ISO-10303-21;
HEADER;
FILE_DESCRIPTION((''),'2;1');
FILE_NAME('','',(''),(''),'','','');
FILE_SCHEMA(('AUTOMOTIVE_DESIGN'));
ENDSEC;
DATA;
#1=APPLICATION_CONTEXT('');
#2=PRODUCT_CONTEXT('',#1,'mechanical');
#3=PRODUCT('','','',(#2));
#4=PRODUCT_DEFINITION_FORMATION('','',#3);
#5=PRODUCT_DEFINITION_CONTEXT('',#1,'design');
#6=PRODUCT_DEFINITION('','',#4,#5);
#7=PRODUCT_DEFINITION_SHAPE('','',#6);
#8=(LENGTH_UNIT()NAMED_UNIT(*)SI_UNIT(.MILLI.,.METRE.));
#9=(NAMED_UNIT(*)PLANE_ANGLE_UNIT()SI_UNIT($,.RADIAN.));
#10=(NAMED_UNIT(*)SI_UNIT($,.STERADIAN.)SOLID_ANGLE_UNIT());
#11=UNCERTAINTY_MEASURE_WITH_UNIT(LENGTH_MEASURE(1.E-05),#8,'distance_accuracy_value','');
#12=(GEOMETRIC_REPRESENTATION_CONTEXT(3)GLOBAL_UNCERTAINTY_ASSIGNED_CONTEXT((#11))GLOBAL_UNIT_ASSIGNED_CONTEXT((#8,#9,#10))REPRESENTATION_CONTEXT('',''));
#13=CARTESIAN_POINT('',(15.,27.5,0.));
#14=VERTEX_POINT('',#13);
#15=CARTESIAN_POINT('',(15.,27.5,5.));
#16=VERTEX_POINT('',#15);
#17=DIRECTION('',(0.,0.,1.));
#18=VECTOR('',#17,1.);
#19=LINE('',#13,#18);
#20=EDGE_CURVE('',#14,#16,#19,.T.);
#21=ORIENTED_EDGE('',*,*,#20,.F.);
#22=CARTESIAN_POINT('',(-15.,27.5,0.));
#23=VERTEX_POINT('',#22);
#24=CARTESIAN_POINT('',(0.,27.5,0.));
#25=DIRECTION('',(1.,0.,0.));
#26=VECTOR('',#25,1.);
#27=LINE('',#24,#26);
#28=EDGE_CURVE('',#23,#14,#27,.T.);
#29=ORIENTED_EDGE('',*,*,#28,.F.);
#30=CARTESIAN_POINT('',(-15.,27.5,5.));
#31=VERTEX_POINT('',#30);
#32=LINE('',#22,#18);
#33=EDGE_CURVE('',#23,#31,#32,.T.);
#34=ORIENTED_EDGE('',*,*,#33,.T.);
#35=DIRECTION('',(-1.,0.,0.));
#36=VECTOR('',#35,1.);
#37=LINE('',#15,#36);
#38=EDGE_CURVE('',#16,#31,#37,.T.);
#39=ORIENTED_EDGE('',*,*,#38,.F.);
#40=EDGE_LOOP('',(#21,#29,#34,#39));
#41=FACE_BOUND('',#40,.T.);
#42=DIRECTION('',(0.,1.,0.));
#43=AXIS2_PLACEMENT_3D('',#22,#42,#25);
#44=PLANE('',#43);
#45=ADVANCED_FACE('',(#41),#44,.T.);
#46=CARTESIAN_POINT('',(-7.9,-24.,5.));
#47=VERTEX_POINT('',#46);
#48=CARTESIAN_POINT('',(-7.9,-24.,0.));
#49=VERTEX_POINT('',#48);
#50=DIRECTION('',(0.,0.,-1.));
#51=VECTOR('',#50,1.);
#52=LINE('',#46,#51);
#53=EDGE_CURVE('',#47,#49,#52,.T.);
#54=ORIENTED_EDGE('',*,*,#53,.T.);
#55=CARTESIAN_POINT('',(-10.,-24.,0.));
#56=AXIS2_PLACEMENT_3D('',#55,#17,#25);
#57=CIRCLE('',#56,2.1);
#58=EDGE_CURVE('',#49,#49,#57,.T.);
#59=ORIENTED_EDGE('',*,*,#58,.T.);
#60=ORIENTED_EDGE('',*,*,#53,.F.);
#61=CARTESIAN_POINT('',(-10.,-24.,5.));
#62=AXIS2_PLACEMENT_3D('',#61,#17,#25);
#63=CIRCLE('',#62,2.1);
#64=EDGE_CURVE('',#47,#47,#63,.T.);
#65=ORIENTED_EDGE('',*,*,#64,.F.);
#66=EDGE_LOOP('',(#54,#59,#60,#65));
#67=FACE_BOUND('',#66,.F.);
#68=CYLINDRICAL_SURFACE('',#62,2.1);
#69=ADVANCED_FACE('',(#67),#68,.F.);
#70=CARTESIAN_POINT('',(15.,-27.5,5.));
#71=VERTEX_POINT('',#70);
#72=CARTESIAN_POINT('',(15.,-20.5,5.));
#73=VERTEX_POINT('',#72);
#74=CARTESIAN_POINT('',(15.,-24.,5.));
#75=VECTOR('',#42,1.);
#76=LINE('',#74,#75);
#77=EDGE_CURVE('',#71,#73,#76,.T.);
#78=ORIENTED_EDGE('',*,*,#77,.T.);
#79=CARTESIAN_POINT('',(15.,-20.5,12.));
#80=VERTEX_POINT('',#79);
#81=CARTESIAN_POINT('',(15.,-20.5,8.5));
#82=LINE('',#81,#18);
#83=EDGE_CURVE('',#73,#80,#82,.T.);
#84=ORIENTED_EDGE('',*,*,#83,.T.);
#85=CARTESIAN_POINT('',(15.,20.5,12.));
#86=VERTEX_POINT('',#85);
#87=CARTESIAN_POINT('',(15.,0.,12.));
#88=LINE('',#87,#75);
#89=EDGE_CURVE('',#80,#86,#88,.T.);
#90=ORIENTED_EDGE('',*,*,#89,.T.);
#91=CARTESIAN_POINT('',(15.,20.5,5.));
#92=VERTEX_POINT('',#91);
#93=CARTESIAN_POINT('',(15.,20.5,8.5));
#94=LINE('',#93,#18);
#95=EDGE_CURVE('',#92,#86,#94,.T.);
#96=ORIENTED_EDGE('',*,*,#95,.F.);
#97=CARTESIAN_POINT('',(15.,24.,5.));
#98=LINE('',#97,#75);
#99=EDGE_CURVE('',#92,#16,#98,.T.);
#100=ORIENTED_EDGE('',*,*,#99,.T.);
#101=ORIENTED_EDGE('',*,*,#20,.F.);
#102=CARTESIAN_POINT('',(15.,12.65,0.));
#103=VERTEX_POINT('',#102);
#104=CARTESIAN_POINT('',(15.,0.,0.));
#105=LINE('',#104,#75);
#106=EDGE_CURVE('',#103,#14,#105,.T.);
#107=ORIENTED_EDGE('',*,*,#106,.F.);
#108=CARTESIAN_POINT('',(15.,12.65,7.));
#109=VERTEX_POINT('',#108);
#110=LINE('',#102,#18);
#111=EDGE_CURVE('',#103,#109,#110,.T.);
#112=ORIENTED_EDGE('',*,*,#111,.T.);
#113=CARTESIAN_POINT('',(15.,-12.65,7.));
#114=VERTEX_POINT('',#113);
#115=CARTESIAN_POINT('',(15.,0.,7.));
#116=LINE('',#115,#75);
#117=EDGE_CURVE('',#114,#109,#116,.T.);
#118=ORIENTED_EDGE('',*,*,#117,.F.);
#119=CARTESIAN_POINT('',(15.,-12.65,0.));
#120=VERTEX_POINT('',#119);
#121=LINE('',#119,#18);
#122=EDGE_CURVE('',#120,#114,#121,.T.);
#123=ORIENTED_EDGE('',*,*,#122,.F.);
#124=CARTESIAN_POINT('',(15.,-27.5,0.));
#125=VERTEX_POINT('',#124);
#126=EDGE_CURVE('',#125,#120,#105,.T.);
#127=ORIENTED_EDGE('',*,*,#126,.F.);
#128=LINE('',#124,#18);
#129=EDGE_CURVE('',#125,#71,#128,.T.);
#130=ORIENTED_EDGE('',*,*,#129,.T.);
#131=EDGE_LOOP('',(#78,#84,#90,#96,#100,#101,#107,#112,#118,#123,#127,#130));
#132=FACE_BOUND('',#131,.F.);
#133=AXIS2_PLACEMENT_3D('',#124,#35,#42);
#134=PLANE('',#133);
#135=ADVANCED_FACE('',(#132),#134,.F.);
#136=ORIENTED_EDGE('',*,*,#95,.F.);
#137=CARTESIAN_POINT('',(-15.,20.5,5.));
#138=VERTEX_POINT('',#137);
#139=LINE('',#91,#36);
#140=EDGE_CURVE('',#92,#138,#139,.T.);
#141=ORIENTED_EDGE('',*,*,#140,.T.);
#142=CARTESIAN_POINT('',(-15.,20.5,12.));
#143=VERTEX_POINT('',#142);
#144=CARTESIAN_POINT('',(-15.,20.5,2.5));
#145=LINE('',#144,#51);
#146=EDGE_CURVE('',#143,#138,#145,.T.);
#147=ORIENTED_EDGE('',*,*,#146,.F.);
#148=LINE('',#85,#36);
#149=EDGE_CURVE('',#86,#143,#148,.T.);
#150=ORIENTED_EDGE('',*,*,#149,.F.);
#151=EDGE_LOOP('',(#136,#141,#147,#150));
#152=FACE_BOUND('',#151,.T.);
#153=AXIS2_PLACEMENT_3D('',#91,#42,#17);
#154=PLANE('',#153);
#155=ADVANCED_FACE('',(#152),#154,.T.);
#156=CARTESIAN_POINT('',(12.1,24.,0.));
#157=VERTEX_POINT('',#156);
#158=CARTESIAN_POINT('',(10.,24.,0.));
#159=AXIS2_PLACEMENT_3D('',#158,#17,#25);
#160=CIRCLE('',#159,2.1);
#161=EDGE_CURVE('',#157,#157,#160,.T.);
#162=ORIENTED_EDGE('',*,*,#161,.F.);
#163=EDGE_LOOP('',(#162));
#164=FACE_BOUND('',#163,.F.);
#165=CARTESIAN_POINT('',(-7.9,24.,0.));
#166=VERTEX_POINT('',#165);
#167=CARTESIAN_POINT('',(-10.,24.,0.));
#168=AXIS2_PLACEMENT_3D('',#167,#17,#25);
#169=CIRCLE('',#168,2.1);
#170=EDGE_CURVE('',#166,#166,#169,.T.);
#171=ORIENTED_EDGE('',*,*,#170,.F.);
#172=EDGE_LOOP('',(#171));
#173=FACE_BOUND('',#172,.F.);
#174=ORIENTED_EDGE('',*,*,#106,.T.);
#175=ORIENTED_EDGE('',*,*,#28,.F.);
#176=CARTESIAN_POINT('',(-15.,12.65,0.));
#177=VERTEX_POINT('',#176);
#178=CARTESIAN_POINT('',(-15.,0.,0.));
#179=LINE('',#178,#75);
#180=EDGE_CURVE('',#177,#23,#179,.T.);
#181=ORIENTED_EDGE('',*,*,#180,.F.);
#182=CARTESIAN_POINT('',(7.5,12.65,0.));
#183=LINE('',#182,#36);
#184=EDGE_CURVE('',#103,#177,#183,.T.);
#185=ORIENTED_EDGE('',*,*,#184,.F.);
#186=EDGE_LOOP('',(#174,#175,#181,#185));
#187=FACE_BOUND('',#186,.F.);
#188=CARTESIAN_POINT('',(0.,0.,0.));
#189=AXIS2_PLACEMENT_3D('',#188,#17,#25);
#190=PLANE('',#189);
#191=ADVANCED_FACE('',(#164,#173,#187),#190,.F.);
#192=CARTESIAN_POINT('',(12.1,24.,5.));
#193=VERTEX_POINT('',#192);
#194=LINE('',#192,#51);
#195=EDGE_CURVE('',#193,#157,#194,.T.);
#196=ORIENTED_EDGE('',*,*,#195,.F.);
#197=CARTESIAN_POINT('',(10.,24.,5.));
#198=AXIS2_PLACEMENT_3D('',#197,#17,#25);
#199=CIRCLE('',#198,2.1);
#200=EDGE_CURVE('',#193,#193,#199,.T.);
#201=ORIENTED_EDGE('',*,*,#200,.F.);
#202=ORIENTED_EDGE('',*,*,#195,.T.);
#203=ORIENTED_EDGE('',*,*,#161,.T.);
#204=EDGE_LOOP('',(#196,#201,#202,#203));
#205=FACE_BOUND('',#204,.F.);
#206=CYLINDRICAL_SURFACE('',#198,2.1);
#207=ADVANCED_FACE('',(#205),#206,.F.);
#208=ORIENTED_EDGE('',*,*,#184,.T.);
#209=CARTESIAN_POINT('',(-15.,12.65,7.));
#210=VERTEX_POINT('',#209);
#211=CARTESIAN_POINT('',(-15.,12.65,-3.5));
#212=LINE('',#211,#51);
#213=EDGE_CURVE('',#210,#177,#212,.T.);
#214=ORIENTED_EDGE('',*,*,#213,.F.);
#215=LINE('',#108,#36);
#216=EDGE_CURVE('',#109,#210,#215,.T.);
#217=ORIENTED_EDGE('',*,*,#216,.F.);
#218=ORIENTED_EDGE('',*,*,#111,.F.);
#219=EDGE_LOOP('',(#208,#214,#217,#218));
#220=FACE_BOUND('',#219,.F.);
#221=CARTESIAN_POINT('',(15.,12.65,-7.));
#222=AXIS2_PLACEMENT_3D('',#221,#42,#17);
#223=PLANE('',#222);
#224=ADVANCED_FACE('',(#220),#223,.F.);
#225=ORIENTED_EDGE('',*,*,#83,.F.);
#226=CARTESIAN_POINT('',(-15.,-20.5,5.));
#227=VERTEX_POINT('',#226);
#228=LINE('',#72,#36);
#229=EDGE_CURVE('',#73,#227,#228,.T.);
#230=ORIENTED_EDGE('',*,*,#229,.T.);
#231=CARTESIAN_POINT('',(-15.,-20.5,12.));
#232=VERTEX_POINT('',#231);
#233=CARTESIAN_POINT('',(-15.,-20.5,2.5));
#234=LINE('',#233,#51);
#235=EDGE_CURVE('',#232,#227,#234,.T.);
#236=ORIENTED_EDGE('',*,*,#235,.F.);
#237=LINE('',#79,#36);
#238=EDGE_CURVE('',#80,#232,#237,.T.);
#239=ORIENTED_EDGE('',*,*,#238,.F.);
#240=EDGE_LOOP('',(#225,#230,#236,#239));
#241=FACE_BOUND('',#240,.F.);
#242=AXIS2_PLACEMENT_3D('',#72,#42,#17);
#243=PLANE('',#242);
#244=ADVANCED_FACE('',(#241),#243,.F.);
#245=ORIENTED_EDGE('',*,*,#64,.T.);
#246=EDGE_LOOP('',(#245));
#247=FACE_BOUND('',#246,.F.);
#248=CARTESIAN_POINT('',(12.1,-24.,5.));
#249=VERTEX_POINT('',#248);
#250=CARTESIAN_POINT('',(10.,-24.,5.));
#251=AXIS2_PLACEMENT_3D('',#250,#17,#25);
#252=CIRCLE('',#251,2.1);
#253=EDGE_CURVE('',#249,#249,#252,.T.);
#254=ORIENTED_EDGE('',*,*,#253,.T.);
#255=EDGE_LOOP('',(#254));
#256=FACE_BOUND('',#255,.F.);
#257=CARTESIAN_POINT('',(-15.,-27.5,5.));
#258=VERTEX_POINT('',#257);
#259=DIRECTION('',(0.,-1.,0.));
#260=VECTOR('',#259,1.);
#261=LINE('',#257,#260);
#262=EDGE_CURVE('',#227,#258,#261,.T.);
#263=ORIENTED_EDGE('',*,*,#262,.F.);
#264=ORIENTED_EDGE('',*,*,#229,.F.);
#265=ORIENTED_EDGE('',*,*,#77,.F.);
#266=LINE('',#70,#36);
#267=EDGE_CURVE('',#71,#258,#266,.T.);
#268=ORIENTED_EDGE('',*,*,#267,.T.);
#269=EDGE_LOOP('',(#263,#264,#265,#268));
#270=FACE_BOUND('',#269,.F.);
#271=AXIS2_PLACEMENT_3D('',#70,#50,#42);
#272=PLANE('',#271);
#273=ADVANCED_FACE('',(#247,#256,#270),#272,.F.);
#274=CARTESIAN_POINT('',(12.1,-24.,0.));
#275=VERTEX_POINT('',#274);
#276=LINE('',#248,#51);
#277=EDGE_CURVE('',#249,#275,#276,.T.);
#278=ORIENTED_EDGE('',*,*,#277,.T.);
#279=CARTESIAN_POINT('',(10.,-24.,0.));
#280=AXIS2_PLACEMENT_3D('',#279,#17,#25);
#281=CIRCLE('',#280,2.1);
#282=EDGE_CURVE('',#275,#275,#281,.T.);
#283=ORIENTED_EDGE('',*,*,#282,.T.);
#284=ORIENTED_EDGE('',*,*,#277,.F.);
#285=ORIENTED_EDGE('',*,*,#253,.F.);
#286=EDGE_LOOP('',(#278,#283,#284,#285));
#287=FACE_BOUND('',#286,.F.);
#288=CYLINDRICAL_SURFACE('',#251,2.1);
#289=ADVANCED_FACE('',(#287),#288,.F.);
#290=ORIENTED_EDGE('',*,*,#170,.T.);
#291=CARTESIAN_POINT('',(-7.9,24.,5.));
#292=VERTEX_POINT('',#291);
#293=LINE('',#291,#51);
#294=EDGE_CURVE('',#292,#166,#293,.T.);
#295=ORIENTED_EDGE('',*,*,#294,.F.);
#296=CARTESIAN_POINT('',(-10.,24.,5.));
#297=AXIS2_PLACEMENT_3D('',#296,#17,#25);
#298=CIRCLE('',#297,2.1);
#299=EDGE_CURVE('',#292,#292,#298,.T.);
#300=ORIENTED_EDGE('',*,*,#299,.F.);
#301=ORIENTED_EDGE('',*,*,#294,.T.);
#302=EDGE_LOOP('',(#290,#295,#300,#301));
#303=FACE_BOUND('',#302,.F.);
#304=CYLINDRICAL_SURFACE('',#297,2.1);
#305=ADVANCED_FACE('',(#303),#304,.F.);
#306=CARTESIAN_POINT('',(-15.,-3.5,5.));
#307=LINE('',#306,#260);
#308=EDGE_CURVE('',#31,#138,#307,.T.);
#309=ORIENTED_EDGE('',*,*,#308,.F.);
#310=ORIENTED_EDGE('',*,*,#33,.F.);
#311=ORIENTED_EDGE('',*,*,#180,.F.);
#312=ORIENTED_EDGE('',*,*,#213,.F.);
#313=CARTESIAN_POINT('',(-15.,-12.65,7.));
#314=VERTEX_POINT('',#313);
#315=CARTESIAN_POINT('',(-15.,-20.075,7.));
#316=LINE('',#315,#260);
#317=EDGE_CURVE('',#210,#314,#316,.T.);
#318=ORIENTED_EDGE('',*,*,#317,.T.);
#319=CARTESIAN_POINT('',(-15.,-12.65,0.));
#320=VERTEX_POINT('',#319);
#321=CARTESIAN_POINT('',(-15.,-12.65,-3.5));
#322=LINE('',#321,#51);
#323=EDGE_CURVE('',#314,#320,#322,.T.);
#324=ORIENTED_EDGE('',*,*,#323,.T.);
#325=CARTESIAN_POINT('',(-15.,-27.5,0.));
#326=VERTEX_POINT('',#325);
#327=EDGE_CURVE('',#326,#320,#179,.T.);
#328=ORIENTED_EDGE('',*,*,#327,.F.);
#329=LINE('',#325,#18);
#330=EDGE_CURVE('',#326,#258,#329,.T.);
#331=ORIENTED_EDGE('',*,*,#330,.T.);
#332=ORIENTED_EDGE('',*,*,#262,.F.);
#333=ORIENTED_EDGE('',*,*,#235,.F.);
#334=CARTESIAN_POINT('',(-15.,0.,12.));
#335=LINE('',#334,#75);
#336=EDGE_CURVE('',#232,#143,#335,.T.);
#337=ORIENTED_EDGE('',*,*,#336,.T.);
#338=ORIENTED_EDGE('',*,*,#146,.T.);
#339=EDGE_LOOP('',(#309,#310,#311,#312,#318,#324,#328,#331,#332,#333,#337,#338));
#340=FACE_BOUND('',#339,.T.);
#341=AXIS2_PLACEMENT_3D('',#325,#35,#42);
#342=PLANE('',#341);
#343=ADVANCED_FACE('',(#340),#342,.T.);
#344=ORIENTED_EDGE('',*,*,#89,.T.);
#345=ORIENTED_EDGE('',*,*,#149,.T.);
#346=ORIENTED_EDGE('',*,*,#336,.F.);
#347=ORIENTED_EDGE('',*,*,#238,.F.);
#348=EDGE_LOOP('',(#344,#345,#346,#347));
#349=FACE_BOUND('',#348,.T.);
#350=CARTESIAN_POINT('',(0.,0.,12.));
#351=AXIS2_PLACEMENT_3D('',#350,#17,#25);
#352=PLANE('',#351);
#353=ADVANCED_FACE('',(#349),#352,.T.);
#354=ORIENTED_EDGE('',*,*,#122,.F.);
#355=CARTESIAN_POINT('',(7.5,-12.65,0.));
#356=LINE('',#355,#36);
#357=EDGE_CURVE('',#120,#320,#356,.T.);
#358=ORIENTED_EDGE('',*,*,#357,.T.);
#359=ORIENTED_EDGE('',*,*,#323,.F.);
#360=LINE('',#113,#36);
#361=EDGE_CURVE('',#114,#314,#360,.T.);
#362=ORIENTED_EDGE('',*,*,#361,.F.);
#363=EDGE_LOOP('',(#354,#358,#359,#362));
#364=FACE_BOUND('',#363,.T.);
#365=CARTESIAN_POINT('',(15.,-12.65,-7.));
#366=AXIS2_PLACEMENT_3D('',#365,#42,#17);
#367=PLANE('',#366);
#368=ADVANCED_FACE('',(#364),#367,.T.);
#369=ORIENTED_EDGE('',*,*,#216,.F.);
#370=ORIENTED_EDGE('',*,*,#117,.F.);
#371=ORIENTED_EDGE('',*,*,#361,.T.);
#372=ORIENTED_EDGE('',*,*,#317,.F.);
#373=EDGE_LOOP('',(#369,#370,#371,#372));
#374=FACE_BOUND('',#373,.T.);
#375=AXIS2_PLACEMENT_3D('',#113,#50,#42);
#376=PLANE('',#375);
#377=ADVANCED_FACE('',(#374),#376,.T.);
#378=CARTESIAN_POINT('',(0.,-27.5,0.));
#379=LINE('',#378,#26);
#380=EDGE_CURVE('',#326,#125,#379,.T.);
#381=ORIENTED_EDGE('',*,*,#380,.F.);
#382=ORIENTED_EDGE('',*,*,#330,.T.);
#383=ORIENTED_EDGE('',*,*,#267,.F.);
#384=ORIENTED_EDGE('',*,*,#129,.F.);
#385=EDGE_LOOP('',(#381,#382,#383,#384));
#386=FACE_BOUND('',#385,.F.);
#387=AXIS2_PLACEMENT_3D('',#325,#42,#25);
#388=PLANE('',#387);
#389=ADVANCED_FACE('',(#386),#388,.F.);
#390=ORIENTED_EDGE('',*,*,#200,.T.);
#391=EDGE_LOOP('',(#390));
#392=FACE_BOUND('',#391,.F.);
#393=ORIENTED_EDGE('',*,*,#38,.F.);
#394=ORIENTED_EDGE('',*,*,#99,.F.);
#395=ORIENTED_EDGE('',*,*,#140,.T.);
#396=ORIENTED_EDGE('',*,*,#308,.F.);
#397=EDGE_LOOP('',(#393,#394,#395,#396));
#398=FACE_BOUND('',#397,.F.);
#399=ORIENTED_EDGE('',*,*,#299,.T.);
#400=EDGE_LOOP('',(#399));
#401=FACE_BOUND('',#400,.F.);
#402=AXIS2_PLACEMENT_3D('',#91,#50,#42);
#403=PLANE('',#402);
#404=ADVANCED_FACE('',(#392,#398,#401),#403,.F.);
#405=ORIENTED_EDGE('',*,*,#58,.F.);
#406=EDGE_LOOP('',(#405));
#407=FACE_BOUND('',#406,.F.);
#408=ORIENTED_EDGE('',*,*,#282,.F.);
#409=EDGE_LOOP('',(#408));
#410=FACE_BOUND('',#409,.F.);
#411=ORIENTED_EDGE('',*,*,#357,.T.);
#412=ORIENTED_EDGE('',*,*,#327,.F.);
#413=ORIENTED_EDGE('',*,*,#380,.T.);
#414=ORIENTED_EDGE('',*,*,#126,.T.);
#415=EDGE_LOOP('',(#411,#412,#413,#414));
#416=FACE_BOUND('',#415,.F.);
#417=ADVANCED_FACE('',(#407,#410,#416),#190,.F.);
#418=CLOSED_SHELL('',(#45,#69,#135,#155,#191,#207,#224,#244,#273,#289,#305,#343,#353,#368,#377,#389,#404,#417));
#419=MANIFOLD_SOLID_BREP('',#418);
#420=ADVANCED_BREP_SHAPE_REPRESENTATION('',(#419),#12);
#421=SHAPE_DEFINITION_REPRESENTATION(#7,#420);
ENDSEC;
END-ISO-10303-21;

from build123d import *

# Parameters (mm, degrees)
F0_W      = 30
F0_H      = 55
F1_DEPTH  = 12
F3_W      = 25.3
F3_H      = 14
F4_DEPTH  = 30.001
F5_W      = 7
F5_H      = 7
F6_DEPTH  = 30.001
F7_W      = 7
F7_H      = 7
F8_DEPTH  = 30.001
F10_R     = 2.1
F11_DEPTH = 5.001
F12_R     = 2.1
F13_DEPTH = 5.001


with BuildPart() as f1:
    # F0 (on Top) → F1 (new body)
    with BuildSketch(Plane.XY):
        Rectangle(F0_W, F0_H)
    extrude(amount=F1_DEPTH)

    # F3 (on offset) → F4 (cut, through all)
    with BuildSketch(Plane.YZ.offset(15)):
        Rectangle(F3_W, F3_H)
    extrude(amount=-F4_DEPTH, mode=Mode.SUBTRACT)

    # F5 (on face) → F6 (cut, through all)
    with BuildSketch(Plane.YZ.offset(15)):
        with Locations((-24, 8.5)):
            Rectangle(F5_W, F5_H)
    extrude(amount=-F6_DEPTH, mode=Mode.SUBTRACT)

    # F7 (on face) → F8 (cut, through all)
    with BuildSketch(Plane.YZ.offset(15)):
        with Locations((24, 8.5)):
            Rectangle(F7_W, F7_H)
    extrude(amount=-F8_DEPTH, mode=Mode.SUBTRACT)

    # F10 (on offset) → F11 (cut, through all)
    with BuildSketch(Plane.XY.offset(5)):
        with Locations((-10, 24)):
            Circle(F10_R)
        with Locations((10, 24)):
            Circle(F10_R)
    extrude(amount=-F11_DEPTH, mode=Mode.SUBTRACT)

    # F12 (on face) → F13 (cut, through all)
    with BuildSketch(Plane.XY.offset(5)):
        with Locations((-10, -24)):
            Circle(F12_R)
        with Locations((10, -24)):
            Circle(F12_R)
    extrude(amount=-F13_DEPTH, mode=Mode.SUBTRACT)


solid = f1.part
